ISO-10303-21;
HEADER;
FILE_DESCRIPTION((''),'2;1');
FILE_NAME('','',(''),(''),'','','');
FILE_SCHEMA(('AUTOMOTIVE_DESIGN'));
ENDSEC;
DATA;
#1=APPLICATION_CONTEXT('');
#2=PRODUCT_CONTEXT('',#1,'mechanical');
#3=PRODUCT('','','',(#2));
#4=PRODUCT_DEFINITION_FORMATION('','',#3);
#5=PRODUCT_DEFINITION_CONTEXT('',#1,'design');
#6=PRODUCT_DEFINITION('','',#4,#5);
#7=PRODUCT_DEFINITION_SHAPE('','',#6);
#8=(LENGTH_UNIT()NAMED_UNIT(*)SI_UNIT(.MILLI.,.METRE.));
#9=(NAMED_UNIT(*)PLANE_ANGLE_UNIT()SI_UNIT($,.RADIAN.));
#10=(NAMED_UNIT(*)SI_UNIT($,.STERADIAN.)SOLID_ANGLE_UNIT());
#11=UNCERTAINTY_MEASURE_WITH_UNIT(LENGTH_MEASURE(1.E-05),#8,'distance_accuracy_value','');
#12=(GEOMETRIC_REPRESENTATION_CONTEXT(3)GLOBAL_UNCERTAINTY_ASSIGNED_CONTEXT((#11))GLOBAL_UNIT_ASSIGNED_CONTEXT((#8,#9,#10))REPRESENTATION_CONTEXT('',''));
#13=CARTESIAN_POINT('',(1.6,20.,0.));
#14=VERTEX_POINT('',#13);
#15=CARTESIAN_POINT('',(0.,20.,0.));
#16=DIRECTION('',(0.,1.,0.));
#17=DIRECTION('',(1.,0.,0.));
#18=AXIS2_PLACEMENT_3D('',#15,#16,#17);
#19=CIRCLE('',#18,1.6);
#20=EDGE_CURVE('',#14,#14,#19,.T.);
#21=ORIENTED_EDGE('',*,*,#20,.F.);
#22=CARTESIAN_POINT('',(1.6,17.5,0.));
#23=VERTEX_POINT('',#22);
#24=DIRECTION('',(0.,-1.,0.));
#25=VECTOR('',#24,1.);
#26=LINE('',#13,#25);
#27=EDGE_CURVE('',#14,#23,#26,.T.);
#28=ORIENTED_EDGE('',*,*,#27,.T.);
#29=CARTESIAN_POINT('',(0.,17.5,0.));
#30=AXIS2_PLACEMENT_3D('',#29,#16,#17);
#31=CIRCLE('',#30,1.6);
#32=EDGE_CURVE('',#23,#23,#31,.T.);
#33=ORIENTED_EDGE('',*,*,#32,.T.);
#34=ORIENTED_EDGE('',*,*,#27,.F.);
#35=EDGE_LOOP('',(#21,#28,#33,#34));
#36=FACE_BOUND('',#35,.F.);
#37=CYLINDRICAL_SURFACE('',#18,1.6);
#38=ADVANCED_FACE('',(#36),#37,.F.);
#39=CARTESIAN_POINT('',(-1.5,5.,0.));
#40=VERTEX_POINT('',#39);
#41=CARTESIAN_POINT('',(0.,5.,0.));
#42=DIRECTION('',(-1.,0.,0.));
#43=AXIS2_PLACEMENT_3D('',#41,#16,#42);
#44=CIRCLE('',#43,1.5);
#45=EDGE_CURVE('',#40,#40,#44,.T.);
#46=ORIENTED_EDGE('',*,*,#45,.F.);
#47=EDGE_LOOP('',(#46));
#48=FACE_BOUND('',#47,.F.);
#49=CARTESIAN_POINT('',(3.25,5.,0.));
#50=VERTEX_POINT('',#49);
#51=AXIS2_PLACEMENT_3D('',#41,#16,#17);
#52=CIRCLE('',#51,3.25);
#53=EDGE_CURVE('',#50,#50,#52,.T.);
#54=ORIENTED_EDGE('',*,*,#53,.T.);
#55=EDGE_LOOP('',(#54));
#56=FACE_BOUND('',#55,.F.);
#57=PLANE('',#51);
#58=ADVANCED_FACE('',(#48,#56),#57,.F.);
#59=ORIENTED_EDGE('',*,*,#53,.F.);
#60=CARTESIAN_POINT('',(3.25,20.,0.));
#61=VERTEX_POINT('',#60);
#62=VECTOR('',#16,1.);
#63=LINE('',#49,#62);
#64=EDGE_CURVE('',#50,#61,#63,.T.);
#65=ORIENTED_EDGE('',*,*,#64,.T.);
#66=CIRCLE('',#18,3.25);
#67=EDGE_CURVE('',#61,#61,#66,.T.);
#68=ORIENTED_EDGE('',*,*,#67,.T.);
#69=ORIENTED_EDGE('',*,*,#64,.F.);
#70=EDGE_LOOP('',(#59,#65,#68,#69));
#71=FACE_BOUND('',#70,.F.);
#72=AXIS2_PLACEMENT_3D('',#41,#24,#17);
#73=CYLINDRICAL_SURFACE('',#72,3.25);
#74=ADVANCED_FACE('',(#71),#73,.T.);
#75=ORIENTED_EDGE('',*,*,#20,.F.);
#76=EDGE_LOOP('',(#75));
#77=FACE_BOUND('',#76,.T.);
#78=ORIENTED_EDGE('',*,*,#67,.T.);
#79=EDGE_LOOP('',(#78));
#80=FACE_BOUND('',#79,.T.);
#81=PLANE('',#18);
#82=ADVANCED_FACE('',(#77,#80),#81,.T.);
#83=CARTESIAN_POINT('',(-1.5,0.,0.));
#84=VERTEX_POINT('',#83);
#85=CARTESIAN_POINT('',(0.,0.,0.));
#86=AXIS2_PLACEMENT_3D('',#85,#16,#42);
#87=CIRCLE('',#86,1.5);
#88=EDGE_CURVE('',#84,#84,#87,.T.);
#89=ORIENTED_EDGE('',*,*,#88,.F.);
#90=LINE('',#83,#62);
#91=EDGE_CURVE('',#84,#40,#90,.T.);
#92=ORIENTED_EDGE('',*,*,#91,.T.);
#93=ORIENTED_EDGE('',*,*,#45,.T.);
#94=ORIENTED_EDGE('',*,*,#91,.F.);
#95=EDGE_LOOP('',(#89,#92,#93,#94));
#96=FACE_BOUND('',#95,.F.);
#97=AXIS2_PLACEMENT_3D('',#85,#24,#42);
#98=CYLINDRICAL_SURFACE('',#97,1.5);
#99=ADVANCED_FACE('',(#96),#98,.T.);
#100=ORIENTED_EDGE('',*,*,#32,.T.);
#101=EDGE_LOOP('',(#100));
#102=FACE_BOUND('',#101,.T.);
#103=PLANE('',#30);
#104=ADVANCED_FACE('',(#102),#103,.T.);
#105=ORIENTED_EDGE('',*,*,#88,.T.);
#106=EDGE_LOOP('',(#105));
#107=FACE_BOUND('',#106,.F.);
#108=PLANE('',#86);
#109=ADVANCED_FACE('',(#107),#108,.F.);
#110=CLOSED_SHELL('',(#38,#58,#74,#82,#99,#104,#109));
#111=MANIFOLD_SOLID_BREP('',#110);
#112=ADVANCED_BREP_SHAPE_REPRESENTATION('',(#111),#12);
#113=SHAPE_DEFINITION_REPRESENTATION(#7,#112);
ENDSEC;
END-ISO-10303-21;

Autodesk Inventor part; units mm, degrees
ref_plane "YZ Plane" through (0, 0, 0) normal (1, 0, 0) x (0, 1, 0)
ref_plane "XZ Plane" through (0, 0, 0) normal (0, 1, 0) x (-1, 0, 0)
ref_plane "XY Plane" through (0, 0, 0) normal (0, 0, 1) x (1, 0, 0)
sketch "Sketch1" plane through (0, 0, 0) normal (0, 1, 0) x (-1, 0, 0)
  circle A0 centre (0, 0) radius 1.5
  dimension "d0" = 3
extrude "Extrusion1" add sketch "Sketch1" along normal blind 5
sketch "Sketch2" plane through (0, 5, 0) normal (0, 1, 0) x (1, 0, 0)
  circle A0 centre (0, 0) radius 1.5 projected
  circle A1 centre (0, 0) radius 3.25
  dimension "d3" = 6.5
extrude "Extrusion2" add sketch "Sketch2" along normal blind 15 contours A0 | A1
sketch "Sketch3" plane through (0, 20, 0) normal (0, 1, 0) x (1, 0, 0)
  circle A0 centre (0, 0) radius 1.5 projected
  circle A1 centre (0, 0) radius 1.6
  dimension "d6" = 3.2
extrude "Extrusion3" cut sketch "Sketch3" against normal blind 2.5 contours A0 | A1
properties part number "ControlPanel_shortStands"
